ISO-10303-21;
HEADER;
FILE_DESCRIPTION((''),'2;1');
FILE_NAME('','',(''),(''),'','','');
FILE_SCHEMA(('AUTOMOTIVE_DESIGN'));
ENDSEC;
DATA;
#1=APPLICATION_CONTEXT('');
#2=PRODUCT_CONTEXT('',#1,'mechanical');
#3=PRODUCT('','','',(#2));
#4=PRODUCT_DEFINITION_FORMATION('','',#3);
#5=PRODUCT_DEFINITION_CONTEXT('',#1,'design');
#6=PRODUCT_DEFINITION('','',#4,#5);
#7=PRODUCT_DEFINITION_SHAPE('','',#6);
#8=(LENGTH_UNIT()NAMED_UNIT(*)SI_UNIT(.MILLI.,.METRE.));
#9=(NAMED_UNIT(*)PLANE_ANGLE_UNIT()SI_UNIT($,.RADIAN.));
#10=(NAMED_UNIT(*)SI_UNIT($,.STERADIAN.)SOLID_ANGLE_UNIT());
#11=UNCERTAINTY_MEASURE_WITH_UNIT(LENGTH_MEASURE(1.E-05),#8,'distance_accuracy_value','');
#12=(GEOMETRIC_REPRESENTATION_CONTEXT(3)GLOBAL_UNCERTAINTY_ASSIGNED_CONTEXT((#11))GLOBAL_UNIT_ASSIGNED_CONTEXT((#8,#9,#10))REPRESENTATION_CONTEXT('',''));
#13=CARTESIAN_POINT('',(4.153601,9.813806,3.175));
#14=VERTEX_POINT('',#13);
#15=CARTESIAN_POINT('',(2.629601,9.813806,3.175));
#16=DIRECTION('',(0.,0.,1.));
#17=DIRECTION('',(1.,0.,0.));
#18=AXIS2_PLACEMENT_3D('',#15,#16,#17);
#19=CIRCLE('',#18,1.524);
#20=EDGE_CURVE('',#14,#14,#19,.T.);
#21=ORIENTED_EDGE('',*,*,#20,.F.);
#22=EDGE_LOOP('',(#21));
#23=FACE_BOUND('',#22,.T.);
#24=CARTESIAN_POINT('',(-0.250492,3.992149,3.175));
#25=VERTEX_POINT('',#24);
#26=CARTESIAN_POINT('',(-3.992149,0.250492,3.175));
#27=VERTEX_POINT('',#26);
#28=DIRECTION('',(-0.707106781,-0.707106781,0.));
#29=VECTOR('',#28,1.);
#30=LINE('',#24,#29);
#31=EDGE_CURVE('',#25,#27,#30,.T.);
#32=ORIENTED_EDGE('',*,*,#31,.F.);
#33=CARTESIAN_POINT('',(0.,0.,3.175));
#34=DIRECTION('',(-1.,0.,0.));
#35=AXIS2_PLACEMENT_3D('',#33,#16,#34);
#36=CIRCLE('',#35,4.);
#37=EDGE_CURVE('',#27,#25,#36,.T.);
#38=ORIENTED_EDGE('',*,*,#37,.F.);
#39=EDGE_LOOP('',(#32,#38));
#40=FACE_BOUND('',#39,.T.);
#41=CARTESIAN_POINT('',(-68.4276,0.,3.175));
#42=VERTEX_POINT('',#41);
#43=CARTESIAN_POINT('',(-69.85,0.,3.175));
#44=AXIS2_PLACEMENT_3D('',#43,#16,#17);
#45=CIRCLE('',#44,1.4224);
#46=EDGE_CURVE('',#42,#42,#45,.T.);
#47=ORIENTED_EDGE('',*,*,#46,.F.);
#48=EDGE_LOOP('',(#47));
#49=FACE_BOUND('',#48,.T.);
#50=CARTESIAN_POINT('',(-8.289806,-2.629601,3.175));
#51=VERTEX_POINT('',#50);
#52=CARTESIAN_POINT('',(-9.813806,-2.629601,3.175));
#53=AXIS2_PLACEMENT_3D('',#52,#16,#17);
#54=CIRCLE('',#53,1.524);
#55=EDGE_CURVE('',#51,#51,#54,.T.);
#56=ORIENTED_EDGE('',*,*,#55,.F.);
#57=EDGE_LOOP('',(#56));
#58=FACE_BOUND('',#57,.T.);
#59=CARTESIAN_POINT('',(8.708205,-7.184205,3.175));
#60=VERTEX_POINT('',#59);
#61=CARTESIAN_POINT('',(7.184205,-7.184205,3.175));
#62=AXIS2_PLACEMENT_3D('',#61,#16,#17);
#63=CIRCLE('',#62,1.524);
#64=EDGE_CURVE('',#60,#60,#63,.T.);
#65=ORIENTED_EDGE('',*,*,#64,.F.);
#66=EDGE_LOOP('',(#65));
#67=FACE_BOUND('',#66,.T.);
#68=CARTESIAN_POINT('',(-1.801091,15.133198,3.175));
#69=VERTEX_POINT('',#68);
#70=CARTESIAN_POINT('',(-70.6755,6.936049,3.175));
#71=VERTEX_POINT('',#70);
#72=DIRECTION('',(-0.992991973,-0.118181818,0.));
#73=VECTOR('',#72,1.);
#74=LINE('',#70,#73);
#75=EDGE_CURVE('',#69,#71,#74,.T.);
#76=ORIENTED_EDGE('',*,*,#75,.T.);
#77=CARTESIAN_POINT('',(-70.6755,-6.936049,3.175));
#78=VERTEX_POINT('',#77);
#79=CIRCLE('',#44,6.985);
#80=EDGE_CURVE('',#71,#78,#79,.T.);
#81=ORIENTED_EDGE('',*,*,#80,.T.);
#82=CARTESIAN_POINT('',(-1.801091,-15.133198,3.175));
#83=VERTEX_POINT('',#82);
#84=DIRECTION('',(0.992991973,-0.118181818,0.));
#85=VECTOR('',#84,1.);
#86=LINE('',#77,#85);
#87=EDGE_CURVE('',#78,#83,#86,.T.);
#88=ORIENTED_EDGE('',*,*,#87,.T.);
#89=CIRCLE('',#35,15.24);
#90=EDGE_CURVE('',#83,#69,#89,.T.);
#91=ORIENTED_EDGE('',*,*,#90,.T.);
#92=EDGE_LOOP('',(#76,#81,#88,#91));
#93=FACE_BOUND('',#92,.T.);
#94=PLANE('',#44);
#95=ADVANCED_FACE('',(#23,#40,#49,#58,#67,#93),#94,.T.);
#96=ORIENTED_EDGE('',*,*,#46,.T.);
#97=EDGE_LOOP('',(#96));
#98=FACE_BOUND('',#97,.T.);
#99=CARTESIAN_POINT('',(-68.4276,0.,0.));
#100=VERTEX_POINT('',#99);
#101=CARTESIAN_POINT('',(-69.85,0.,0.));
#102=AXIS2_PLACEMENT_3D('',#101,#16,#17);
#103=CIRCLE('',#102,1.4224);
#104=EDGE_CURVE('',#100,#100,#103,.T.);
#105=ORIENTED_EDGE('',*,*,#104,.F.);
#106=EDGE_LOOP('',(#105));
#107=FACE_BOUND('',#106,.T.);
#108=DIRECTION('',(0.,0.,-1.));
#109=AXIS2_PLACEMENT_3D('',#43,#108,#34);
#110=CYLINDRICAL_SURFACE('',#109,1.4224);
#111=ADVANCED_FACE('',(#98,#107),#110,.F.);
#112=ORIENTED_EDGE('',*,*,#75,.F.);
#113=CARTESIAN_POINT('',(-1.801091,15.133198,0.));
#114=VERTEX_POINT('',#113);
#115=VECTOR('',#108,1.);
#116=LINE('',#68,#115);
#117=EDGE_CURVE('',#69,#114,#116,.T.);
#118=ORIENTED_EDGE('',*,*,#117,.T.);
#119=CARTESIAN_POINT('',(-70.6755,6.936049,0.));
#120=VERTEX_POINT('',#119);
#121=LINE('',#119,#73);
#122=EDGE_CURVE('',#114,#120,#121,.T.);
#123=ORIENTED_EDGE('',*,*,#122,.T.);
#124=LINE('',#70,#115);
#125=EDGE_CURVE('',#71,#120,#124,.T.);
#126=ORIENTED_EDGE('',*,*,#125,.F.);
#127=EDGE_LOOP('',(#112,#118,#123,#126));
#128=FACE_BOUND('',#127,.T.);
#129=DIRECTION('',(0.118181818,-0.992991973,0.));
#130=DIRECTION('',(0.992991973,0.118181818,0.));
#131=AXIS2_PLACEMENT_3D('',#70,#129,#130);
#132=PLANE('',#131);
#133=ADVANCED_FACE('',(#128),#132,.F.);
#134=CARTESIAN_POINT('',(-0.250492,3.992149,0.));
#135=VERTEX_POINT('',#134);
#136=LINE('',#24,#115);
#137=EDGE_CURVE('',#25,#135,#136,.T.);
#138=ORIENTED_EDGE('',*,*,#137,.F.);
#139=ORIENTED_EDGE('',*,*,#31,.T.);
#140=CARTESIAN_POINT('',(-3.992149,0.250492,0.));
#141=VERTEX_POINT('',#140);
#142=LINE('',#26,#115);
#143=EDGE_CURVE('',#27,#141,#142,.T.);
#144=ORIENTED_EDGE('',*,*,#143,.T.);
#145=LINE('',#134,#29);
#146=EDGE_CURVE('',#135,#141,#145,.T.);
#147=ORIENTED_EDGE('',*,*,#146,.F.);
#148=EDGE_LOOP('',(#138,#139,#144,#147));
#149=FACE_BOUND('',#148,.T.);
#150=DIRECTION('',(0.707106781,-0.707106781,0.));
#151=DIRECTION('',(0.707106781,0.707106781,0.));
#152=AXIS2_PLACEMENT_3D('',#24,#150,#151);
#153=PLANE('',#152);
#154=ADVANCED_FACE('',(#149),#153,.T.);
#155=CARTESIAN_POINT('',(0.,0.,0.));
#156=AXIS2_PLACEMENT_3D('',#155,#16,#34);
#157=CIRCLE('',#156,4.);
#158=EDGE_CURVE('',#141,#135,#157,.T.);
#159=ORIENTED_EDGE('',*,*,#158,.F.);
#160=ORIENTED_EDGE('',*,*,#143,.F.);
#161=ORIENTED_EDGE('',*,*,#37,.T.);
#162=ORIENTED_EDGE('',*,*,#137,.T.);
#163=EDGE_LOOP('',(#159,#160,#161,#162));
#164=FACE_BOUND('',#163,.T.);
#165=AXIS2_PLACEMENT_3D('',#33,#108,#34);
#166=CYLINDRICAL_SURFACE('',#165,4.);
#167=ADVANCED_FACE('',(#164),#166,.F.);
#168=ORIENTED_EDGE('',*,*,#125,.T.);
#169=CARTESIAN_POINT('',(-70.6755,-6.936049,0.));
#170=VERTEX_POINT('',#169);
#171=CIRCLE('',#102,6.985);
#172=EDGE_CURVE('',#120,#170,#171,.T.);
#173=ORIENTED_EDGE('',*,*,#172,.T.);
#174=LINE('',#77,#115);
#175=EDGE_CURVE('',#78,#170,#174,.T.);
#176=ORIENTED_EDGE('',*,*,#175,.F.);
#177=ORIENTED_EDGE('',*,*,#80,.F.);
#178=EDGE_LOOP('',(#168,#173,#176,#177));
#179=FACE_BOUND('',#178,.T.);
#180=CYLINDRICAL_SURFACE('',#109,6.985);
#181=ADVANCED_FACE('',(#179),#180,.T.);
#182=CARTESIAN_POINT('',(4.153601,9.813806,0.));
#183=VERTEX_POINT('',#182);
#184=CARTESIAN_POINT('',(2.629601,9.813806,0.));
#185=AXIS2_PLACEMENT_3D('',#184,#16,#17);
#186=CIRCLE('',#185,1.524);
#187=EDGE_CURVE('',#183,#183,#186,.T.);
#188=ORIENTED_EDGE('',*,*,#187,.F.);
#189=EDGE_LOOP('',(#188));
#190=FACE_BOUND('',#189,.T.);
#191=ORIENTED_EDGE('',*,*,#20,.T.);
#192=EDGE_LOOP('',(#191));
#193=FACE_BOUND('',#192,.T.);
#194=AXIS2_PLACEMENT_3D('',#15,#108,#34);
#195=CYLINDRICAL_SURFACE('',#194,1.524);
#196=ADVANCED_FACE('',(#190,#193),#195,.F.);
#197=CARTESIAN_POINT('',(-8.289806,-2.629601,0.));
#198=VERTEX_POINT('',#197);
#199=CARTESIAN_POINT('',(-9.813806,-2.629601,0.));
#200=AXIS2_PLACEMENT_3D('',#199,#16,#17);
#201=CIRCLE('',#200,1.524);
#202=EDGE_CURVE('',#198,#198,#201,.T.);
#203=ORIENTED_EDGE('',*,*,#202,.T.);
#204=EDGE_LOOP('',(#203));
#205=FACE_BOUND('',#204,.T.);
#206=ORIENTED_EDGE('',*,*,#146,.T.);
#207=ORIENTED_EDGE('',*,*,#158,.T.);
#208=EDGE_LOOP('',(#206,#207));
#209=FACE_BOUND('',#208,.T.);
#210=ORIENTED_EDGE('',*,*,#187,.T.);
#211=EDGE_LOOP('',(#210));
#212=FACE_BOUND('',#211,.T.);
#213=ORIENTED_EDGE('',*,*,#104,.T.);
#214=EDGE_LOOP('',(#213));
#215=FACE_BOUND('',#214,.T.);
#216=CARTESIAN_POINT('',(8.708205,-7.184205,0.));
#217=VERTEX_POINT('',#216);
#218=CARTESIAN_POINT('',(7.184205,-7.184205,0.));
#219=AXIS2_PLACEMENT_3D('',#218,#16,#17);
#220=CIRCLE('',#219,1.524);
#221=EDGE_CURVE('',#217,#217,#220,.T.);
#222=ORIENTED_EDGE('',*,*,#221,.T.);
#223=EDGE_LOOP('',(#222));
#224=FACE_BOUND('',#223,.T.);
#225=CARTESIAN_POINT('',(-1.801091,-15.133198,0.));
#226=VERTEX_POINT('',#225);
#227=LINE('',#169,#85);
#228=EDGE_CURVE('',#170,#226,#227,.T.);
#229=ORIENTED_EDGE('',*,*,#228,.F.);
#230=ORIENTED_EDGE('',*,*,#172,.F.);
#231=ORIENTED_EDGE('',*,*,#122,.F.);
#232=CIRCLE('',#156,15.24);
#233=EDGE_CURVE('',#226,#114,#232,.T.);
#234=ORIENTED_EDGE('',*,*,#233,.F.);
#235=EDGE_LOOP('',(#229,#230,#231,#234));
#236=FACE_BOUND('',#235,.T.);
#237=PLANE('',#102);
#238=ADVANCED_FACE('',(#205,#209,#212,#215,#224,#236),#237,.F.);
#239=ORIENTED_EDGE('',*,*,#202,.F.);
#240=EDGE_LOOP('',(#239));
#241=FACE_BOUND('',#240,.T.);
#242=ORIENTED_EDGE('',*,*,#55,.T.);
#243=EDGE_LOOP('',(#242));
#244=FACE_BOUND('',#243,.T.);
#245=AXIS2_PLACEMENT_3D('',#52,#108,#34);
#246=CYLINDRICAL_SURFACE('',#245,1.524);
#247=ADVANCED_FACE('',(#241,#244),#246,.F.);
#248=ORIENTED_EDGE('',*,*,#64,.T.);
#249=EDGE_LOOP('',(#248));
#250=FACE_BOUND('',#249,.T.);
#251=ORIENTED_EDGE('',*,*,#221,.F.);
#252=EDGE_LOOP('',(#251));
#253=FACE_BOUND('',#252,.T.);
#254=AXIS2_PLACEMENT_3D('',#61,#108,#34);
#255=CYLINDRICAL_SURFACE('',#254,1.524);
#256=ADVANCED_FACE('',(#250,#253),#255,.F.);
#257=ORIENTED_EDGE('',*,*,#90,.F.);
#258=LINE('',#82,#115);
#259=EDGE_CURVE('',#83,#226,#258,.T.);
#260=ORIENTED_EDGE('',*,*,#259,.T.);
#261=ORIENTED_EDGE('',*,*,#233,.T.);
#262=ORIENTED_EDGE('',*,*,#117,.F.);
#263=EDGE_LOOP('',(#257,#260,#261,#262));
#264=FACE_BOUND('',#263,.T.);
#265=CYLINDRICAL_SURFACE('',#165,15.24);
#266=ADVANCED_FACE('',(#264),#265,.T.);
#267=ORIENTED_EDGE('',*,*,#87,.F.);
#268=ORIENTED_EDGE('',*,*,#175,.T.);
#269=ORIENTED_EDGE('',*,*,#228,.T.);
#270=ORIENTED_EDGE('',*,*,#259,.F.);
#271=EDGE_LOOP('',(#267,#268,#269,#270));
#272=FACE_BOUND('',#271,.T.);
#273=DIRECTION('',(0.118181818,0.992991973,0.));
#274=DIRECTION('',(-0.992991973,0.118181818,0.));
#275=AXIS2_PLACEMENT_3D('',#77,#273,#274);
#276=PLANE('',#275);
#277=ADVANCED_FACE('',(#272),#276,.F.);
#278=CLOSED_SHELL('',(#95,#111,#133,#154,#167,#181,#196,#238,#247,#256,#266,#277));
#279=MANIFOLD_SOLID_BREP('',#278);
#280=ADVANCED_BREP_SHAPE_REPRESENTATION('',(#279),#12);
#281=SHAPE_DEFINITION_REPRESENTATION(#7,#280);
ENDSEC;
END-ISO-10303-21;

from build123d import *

# Parameters (mm, degrees)
SKETCH1_R           = 1.4224
SKETCH1_R_2         = 1.524
BOSS_EXTRUDE1_DEPTH = 3.175


with BuildPart() as part:
    # Sketch1 → Boss-Extrude1 (new body)
    with BuildSketch(Plane.XY):
        with BuildLine():
            Line((-70.6755, 6.936048929), (-1.801090909, 15.133197664))
            ThreePointArc((-1.801090909, 15.133197664), (15.24, 0), (-1.801090909, -15.133197664))
            Line((-1.801090909, -15.133197664), (-70.6755, -6.936048929))
            ThreePointArc((-70.6755, -6.936048929), (-76.835, 0), (-70.6755, 6.936048929))
        make_face()
        with Locations((-69.85, 0)):
            Circle(SKETCH1_R, mode=Mode.SUBTRACT)
        with Locations((7.184204897, -7.184204897)):
            Circle(SKETCH1_R_2, mode=Mode.SUBTRACT)
        with Locations((-9.813806395, -2.629601498)):
            Circle(SKETCH1_R_2, mode=Mode.SUBTRACT)
        with Locations((2.629601498, 9.813806395)):
            Circle(SKETCH1_R_2, mode=Mode.SUBTRACT)
        with BuildLine():
            Line((-0.25049165, 3.992149037), (-3.992149037, 0.25049165))
            ThreePointArc((-3.992149037, 0.25049165), (2.828427125, -2.828427125), (-0.25049165, 3.992149037))
        make_face(mode=Mode.SUBTRACT)
    extrude(amount=BOSS_EXTRUDE1_DEPTH)


solid = part.part
